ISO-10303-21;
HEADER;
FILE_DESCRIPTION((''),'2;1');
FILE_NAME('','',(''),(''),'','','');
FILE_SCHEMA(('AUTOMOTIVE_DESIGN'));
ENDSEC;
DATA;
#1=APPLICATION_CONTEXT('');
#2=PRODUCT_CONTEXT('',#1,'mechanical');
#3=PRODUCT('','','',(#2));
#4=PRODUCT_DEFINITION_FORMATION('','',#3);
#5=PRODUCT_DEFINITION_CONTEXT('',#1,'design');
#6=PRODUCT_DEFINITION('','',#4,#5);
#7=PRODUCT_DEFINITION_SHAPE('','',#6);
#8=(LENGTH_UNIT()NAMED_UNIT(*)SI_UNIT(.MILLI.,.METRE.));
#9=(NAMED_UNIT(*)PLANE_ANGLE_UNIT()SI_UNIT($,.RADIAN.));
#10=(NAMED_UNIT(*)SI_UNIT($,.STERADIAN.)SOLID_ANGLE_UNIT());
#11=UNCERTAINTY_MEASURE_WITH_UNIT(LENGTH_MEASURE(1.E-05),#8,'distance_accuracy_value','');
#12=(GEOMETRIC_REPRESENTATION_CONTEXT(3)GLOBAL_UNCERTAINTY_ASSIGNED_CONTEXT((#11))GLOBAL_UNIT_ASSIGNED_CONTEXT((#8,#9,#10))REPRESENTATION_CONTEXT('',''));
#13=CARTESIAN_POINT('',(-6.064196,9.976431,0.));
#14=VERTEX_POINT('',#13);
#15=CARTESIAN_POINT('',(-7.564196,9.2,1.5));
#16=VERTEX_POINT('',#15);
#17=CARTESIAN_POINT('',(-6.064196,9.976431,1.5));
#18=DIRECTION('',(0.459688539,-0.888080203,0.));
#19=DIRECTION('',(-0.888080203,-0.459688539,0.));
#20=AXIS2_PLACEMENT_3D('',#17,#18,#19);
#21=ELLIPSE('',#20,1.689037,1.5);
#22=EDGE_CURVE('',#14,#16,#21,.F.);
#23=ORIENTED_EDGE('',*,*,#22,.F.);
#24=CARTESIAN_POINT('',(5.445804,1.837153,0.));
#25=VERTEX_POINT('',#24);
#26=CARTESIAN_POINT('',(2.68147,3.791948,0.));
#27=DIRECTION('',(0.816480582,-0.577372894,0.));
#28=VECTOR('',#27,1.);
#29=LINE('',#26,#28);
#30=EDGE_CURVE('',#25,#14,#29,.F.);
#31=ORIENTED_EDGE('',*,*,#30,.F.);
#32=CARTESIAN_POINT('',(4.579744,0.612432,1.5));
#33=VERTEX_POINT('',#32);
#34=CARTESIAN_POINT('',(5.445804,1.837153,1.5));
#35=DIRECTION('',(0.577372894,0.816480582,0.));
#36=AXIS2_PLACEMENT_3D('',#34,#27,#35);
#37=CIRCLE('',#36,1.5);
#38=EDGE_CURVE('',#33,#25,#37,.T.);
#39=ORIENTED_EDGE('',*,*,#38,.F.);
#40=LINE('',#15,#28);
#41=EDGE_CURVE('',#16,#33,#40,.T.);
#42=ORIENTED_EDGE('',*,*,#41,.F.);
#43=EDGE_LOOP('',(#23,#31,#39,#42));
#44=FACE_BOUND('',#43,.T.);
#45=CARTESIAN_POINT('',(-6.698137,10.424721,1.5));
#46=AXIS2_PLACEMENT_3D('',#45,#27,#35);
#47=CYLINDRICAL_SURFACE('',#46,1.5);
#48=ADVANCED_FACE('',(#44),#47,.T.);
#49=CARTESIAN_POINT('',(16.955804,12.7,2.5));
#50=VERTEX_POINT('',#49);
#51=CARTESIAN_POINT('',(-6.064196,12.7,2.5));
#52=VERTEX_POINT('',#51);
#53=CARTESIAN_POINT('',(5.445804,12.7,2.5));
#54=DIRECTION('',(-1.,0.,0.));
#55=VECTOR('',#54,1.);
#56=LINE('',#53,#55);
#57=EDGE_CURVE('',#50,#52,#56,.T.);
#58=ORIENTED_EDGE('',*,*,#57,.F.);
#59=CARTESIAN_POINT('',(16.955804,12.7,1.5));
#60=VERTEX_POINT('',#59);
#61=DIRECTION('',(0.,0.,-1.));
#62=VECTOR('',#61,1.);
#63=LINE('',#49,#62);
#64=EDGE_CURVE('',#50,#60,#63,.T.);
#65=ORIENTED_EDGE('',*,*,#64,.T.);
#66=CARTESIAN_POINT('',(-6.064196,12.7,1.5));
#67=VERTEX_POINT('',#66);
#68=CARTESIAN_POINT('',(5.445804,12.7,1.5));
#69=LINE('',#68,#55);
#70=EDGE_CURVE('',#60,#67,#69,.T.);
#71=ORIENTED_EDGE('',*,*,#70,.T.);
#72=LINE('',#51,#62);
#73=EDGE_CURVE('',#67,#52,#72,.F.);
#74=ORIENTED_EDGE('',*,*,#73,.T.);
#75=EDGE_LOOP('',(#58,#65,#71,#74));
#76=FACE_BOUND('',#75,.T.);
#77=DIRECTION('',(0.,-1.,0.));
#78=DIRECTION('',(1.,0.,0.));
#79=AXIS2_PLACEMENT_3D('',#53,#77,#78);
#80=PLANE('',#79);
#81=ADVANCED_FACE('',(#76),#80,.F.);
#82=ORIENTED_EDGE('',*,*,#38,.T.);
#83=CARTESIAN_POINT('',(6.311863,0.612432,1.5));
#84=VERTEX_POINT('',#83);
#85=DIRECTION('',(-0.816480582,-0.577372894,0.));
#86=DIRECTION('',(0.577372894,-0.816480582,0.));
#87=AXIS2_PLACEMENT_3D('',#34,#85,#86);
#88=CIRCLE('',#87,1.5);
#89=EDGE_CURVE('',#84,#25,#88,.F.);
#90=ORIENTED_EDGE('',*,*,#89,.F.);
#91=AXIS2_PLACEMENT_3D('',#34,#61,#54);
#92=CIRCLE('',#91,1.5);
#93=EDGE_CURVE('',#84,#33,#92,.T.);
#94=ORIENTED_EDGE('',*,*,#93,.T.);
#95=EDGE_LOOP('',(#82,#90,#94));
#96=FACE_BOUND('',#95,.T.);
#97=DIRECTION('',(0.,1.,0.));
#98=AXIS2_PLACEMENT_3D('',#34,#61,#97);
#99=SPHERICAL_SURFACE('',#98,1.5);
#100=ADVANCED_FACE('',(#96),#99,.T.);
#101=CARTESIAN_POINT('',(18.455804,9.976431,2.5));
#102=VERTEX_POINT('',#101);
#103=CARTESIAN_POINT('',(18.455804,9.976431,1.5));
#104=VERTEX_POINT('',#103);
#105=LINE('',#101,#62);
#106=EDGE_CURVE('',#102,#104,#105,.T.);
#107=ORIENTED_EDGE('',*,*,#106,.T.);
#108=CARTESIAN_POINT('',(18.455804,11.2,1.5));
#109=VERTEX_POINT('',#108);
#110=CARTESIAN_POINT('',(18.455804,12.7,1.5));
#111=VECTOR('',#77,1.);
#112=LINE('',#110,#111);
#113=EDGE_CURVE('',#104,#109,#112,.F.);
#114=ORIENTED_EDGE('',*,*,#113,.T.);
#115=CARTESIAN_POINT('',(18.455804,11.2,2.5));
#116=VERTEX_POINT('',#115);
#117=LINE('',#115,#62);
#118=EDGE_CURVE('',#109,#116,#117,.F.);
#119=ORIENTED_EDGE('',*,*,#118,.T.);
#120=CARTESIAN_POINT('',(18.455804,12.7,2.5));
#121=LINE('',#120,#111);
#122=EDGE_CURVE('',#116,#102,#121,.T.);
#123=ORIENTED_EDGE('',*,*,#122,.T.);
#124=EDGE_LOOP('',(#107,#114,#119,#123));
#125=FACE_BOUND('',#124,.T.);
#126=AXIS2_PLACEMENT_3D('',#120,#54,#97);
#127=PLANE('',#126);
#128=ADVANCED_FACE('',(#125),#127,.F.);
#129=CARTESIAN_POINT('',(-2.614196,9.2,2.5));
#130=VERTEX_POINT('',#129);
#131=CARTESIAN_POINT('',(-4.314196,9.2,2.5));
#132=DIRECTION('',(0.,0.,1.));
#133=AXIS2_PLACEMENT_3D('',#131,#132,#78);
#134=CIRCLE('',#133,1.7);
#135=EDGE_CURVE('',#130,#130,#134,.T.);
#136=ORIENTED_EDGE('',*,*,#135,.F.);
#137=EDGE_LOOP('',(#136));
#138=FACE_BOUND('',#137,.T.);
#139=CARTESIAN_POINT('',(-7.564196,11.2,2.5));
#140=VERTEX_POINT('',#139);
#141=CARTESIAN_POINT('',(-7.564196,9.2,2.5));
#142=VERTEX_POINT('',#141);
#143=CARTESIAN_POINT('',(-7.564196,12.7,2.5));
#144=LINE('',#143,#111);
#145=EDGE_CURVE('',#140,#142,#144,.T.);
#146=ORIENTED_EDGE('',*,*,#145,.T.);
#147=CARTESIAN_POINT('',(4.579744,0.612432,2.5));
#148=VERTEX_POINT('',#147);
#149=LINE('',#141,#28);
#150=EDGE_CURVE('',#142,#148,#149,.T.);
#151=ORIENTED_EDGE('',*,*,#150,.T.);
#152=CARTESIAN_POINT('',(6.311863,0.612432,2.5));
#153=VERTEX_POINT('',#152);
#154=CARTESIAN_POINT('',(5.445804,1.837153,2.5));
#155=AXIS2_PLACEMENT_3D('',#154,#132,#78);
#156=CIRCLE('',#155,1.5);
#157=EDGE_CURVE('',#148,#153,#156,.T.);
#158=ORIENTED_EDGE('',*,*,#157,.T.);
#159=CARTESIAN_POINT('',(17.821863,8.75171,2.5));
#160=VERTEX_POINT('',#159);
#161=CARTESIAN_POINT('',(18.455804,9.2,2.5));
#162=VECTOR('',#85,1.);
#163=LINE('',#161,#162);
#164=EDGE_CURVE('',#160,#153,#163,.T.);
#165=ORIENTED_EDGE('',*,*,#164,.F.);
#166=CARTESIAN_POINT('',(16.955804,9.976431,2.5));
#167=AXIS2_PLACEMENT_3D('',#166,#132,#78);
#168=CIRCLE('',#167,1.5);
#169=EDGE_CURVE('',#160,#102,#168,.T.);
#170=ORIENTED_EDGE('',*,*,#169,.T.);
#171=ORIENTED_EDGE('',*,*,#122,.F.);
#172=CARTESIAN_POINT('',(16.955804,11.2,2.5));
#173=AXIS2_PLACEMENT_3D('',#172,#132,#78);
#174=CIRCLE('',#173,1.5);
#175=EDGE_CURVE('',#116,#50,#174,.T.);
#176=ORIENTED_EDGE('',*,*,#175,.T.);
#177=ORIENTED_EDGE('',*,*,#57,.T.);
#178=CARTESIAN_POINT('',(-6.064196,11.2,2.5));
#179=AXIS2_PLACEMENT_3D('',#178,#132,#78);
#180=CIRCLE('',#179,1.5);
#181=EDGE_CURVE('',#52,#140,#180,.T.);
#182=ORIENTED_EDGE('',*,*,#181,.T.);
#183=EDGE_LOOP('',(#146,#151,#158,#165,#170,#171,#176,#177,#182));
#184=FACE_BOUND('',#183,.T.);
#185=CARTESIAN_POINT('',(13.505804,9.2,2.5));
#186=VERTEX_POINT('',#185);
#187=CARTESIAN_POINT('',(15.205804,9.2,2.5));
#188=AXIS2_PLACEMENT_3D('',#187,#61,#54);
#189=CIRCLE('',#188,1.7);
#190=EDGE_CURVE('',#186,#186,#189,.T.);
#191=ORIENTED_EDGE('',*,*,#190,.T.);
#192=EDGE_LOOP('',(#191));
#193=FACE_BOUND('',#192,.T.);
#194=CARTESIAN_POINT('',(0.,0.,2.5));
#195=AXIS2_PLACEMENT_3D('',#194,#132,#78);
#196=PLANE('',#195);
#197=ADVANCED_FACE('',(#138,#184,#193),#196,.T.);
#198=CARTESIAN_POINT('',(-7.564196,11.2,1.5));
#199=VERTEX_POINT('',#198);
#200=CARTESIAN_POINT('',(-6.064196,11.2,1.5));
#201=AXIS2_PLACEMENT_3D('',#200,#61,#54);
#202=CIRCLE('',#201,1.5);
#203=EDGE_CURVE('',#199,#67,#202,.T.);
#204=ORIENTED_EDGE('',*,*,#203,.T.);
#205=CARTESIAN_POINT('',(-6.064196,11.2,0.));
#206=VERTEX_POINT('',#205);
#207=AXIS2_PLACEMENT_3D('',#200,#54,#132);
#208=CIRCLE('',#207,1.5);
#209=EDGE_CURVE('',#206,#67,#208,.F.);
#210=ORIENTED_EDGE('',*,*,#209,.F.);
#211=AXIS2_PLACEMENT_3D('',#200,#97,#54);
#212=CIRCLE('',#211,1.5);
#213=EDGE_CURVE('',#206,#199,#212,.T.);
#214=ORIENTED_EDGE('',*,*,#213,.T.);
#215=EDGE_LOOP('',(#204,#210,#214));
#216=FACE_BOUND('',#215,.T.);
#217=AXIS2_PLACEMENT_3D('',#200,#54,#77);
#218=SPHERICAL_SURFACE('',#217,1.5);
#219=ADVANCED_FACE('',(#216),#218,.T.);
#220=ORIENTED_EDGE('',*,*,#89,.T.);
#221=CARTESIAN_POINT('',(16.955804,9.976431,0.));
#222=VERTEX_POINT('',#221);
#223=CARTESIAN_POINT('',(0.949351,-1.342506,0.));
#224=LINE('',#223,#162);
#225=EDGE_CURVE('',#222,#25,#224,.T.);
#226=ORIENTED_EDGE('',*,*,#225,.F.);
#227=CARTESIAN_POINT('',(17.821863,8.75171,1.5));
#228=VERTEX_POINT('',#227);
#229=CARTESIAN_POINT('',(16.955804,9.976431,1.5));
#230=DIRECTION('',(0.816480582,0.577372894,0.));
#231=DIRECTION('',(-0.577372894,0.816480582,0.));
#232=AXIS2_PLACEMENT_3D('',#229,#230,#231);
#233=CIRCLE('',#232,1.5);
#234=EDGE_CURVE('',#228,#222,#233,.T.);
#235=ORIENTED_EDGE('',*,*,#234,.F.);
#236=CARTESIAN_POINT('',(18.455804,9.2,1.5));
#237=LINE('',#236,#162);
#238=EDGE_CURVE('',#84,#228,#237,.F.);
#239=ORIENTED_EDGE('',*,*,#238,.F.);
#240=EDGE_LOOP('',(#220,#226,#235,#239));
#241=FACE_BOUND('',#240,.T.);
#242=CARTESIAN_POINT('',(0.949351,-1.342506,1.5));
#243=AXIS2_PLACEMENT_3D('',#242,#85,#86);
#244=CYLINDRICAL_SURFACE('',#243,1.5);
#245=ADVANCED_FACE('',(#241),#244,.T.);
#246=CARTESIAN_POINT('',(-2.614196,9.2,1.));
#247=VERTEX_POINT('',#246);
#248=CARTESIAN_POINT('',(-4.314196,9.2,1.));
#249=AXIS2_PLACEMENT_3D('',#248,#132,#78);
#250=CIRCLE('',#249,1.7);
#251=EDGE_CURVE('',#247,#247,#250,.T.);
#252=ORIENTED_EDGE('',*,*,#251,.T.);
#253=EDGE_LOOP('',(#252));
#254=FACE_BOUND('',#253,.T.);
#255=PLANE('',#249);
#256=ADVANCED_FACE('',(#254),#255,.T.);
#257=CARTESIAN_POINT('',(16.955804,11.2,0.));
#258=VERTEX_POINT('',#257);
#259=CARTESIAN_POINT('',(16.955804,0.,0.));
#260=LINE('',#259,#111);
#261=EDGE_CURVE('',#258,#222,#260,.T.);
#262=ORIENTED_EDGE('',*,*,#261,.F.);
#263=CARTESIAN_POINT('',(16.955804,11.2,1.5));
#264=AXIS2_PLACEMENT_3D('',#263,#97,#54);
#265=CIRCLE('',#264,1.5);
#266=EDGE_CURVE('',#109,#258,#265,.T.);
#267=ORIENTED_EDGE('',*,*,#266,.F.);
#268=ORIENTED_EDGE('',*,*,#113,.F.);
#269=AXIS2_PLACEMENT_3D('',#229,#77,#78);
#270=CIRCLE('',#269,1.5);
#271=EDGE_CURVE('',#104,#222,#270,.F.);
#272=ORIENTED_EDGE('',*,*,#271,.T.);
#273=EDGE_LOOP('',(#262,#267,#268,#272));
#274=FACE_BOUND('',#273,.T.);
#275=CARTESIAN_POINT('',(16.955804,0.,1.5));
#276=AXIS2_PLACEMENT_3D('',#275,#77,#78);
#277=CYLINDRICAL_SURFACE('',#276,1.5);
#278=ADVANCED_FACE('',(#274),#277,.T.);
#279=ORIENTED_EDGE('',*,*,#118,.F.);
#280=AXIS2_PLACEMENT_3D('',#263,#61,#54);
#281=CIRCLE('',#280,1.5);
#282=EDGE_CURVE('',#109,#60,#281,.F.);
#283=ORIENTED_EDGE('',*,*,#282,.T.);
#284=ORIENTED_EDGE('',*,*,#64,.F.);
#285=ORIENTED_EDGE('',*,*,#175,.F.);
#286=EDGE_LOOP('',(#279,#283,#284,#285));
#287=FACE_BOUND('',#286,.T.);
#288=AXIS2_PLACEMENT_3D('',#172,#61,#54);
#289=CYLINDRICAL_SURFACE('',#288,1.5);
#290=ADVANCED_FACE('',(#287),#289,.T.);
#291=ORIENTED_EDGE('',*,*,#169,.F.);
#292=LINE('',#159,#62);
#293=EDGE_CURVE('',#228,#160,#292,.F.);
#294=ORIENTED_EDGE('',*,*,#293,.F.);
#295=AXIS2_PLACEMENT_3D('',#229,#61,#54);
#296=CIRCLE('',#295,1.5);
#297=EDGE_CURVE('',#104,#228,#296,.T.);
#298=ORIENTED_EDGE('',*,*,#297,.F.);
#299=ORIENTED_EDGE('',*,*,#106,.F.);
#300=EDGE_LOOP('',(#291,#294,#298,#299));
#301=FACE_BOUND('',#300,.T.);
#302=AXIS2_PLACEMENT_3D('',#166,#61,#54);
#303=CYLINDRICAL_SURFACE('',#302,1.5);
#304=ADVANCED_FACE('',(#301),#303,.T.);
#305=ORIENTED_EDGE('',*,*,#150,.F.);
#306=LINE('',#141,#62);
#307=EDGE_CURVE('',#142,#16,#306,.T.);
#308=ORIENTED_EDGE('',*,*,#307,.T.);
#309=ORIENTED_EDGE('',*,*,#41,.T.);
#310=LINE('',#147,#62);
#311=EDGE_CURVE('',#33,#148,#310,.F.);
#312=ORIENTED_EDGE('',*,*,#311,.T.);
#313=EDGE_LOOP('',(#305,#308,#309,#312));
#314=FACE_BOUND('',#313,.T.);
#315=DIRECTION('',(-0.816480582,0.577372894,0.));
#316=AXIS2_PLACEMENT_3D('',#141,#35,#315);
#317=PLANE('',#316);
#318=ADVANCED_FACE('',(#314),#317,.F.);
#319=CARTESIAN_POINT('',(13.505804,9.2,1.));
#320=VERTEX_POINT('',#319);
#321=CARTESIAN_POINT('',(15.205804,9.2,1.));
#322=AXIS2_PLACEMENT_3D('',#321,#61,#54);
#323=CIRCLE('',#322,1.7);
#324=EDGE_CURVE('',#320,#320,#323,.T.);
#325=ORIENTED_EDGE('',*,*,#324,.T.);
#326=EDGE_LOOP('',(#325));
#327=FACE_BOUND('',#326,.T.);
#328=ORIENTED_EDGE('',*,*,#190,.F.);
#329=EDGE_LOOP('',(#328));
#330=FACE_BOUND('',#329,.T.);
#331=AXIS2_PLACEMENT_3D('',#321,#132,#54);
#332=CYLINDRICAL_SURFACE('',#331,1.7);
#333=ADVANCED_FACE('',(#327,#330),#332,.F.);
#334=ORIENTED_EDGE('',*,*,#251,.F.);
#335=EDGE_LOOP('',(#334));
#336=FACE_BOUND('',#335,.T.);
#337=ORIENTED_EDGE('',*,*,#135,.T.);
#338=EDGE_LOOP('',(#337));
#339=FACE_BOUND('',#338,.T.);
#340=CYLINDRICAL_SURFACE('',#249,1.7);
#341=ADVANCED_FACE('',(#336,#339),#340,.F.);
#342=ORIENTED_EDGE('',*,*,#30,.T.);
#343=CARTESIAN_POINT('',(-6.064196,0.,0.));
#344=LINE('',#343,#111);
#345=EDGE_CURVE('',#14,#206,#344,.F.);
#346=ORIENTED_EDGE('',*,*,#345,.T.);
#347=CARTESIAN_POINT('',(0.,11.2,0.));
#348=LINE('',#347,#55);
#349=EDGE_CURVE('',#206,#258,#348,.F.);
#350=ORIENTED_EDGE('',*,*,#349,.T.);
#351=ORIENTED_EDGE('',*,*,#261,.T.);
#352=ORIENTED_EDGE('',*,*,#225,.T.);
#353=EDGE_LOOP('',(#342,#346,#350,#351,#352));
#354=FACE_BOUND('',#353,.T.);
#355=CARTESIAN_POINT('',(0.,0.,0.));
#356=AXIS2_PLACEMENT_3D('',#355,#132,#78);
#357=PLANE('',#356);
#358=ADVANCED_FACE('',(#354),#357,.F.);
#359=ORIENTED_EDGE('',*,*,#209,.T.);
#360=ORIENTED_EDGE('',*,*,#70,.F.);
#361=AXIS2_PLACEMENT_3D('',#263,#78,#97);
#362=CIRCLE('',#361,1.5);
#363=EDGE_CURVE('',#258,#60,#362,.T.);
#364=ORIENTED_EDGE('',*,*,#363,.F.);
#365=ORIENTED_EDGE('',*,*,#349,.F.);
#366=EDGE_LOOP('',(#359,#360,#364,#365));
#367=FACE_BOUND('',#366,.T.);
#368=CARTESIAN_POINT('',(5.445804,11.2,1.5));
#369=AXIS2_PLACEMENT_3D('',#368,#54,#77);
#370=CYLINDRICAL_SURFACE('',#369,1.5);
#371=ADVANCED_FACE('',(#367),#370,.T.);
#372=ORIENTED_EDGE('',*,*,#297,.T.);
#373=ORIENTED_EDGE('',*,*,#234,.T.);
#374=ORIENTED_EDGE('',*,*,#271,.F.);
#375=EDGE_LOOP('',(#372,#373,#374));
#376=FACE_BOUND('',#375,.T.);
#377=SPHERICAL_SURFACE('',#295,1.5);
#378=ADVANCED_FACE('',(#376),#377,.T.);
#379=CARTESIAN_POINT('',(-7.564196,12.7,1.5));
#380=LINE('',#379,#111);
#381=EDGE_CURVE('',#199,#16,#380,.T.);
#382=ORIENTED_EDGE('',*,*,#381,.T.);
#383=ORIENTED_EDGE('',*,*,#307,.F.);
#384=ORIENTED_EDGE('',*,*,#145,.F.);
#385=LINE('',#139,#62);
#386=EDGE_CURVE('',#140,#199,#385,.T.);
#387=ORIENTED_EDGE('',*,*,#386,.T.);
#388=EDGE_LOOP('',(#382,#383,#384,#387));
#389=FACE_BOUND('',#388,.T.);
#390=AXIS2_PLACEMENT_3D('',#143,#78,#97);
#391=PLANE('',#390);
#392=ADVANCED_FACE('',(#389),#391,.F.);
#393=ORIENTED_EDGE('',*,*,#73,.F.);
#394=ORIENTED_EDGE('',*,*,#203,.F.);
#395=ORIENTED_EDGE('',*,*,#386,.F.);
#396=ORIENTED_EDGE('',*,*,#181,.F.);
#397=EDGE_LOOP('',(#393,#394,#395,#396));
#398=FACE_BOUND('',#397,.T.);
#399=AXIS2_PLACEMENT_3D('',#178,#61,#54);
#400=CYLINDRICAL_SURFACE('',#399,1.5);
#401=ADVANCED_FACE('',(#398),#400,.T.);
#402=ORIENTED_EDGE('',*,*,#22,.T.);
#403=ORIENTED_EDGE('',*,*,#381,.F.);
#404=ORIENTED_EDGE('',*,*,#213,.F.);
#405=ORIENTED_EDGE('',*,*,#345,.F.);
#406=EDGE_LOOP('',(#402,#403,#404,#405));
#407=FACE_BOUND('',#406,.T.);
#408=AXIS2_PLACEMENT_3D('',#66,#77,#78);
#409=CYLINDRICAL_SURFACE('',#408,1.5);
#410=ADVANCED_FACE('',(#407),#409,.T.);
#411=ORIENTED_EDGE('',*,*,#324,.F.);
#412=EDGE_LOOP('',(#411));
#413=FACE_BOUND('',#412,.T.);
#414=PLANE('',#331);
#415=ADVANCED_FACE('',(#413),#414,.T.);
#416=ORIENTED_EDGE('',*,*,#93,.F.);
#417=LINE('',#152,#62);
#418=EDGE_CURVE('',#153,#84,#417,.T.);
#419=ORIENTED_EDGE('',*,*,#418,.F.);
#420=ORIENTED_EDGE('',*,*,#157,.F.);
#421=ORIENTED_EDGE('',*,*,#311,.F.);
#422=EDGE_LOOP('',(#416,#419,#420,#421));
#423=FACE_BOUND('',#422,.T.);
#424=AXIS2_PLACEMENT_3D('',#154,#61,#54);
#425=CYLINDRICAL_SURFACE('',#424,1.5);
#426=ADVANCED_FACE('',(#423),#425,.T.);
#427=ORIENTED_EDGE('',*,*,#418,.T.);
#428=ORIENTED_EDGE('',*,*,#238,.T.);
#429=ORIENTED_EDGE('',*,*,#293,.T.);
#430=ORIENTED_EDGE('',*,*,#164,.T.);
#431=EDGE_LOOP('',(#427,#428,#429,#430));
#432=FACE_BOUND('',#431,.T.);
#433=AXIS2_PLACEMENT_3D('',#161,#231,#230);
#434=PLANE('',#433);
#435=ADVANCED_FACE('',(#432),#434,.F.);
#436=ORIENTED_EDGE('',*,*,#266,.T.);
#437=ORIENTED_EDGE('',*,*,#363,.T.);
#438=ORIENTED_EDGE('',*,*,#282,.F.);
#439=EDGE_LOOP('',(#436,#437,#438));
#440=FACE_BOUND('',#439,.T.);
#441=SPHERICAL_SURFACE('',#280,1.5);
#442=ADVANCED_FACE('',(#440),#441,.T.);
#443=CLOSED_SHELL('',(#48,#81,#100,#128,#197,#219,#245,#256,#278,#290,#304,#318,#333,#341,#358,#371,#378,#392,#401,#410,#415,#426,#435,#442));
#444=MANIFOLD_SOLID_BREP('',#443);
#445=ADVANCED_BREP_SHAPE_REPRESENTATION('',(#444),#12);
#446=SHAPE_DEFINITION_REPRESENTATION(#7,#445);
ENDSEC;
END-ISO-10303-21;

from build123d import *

# Parameters (mm, degrees)
BOSS_EXTRUDE1_DEPTH = 2.5
SKETCH2_R           = 1.7
CUT_EXTRUDE1_DEPTH  = 1.5
FILLET1_R           = 1.5


with BuildPart() as part:
    # Sketch1 → Boss-Extrude1 (new body)
    with BuildSketch(Plane.XY):
        Polygon((-7.56419618, 12.7), (-7.56419618, 9.2), (5.44580382, 0), (5.44580382, 12.7), align=None)
    extrude(amount=BOSS_EXTRUDE1_DEPTH)

    # Sketch2 → Cut-Extrude1 (cut)
    with BuildSketch(Plane.XY.offset(2.5)):
        with Locations((-4.31419618, 9.2)):
            Circle(SKETCH2_R)
    extrude(amount=-CUT_EXTRUDE1_DEPTH, mode=Mode.SUBTRACT)

    # Mirror2: part across plane


with BuildPart() as part_1:
    add(part.part)
    add(part.part.mirror(Plane(origin=(5.44580382, 0, 2.5), x_dir=(0, 0, 1), z_dir=(-1, 0, 0))))

    # Fillet1
    fillet1_edges = [part_1.edges().sort_by_distance(p)[0] for p in [
        (18.45580382, 12.7, 1.25),
        (18.45580382, 9.2, 1.25),
        (5.44580382, 0, 1.25),
        (18.45580382, 10.95, 0),
        (11.95080382, 4.6, 0),
        (-1.05919618, 4.6, 0),
        (-7.56419618, 10.95, 0),
        (5.44580382, 12.7, 0),
        (-7.56419618, 12.7, 1.25),
    ]]
    fillet(fillet1_edges, radius=FILLET1_R)


solid = part_1.part
